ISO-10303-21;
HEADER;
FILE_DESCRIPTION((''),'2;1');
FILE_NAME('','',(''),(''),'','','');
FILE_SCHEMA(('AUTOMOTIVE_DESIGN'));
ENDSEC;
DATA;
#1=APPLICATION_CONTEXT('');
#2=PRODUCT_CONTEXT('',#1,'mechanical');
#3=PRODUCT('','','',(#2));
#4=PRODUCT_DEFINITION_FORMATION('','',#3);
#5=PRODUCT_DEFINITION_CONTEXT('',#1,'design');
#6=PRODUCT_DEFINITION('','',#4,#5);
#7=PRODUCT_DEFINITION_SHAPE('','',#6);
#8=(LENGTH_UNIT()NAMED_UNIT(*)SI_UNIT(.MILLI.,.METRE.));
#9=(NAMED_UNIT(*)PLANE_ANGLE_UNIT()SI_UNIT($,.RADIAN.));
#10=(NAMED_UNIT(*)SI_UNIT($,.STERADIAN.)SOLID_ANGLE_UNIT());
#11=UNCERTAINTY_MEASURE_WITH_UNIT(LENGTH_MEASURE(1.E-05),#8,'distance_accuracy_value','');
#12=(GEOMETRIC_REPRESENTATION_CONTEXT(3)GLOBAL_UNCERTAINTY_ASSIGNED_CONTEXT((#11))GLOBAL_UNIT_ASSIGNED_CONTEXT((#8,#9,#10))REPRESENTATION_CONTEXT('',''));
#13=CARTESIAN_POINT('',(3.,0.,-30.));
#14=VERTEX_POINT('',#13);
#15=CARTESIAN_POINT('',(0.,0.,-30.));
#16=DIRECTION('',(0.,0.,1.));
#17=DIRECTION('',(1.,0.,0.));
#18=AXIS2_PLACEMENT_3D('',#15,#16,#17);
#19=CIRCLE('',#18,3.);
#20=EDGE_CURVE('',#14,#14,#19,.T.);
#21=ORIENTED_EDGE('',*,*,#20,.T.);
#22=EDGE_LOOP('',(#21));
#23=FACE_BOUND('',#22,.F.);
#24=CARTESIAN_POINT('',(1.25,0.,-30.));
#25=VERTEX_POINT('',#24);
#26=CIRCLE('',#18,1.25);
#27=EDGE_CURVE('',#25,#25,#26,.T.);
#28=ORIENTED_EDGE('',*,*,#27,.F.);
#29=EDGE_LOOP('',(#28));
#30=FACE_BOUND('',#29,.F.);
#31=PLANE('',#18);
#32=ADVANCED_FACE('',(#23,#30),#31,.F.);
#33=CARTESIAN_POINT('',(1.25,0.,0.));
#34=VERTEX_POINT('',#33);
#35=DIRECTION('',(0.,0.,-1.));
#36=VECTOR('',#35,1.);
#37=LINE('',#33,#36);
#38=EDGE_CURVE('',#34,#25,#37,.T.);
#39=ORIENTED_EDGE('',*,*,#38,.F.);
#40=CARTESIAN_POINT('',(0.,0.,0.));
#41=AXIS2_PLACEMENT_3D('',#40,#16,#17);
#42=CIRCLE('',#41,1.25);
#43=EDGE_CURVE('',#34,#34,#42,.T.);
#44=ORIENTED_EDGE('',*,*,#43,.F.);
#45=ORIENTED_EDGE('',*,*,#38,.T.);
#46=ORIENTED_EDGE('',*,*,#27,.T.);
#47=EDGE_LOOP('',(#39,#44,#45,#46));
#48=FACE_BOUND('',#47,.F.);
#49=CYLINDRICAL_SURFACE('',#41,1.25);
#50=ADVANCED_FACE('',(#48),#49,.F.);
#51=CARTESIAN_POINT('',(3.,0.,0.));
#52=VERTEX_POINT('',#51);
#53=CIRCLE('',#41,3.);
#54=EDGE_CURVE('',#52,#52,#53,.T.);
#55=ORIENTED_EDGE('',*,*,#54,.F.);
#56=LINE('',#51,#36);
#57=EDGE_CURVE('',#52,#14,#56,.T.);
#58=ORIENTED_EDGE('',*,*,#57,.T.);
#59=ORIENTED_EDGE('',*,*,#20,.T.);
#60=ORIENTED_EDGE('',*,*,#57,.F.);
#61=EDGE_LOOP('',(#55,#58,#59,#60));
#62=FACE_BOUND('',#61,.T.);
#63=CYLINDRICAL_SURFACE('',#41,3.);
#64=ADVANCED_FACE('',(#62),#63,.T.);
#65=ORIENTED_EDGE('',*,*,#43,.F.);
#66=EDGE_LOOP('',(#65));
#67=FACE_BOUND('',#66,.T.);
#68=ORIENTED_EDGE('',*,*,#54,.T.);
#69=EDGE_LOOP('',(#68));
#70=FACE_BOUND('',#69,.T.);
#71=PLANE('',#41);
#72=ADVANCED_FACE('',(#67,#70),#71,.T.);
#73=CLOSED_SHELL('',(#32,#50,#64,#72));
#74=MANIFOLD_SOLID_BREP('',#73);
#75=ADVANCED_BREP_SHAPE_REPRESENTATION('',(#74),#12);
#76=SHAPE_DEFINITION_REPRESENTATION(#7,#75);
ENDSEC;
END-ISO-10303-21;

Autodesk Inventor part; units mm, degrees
ref_plane "YZ Plane" through (0, 0, 0) normal (1, 0, 0) x (0, 1, 0)
ref_plane "XZ Plane" through (0, 0, 0) normal (0, 1, 0) x (-1, 0, 0)
ref_plane "XY Plane" through (0, 0, 0) normal (0, 0, 1) x (1, 0, 0)
sketch "Sketch1" plane through (0, 0, 0) normal (0, 0, 1) x (1, 0, 0)
  circle A0 centre (0, 0) radius 1.25
  circle A1 centre (0, 0) radius 3
  dimension "d0" = 2.5
  dimension "d1" = 6
extrude "Extrusion1" add sketch "Sketch1" against normal blind 30
properties part number "l40" material "Aluminum 2014-T4"
